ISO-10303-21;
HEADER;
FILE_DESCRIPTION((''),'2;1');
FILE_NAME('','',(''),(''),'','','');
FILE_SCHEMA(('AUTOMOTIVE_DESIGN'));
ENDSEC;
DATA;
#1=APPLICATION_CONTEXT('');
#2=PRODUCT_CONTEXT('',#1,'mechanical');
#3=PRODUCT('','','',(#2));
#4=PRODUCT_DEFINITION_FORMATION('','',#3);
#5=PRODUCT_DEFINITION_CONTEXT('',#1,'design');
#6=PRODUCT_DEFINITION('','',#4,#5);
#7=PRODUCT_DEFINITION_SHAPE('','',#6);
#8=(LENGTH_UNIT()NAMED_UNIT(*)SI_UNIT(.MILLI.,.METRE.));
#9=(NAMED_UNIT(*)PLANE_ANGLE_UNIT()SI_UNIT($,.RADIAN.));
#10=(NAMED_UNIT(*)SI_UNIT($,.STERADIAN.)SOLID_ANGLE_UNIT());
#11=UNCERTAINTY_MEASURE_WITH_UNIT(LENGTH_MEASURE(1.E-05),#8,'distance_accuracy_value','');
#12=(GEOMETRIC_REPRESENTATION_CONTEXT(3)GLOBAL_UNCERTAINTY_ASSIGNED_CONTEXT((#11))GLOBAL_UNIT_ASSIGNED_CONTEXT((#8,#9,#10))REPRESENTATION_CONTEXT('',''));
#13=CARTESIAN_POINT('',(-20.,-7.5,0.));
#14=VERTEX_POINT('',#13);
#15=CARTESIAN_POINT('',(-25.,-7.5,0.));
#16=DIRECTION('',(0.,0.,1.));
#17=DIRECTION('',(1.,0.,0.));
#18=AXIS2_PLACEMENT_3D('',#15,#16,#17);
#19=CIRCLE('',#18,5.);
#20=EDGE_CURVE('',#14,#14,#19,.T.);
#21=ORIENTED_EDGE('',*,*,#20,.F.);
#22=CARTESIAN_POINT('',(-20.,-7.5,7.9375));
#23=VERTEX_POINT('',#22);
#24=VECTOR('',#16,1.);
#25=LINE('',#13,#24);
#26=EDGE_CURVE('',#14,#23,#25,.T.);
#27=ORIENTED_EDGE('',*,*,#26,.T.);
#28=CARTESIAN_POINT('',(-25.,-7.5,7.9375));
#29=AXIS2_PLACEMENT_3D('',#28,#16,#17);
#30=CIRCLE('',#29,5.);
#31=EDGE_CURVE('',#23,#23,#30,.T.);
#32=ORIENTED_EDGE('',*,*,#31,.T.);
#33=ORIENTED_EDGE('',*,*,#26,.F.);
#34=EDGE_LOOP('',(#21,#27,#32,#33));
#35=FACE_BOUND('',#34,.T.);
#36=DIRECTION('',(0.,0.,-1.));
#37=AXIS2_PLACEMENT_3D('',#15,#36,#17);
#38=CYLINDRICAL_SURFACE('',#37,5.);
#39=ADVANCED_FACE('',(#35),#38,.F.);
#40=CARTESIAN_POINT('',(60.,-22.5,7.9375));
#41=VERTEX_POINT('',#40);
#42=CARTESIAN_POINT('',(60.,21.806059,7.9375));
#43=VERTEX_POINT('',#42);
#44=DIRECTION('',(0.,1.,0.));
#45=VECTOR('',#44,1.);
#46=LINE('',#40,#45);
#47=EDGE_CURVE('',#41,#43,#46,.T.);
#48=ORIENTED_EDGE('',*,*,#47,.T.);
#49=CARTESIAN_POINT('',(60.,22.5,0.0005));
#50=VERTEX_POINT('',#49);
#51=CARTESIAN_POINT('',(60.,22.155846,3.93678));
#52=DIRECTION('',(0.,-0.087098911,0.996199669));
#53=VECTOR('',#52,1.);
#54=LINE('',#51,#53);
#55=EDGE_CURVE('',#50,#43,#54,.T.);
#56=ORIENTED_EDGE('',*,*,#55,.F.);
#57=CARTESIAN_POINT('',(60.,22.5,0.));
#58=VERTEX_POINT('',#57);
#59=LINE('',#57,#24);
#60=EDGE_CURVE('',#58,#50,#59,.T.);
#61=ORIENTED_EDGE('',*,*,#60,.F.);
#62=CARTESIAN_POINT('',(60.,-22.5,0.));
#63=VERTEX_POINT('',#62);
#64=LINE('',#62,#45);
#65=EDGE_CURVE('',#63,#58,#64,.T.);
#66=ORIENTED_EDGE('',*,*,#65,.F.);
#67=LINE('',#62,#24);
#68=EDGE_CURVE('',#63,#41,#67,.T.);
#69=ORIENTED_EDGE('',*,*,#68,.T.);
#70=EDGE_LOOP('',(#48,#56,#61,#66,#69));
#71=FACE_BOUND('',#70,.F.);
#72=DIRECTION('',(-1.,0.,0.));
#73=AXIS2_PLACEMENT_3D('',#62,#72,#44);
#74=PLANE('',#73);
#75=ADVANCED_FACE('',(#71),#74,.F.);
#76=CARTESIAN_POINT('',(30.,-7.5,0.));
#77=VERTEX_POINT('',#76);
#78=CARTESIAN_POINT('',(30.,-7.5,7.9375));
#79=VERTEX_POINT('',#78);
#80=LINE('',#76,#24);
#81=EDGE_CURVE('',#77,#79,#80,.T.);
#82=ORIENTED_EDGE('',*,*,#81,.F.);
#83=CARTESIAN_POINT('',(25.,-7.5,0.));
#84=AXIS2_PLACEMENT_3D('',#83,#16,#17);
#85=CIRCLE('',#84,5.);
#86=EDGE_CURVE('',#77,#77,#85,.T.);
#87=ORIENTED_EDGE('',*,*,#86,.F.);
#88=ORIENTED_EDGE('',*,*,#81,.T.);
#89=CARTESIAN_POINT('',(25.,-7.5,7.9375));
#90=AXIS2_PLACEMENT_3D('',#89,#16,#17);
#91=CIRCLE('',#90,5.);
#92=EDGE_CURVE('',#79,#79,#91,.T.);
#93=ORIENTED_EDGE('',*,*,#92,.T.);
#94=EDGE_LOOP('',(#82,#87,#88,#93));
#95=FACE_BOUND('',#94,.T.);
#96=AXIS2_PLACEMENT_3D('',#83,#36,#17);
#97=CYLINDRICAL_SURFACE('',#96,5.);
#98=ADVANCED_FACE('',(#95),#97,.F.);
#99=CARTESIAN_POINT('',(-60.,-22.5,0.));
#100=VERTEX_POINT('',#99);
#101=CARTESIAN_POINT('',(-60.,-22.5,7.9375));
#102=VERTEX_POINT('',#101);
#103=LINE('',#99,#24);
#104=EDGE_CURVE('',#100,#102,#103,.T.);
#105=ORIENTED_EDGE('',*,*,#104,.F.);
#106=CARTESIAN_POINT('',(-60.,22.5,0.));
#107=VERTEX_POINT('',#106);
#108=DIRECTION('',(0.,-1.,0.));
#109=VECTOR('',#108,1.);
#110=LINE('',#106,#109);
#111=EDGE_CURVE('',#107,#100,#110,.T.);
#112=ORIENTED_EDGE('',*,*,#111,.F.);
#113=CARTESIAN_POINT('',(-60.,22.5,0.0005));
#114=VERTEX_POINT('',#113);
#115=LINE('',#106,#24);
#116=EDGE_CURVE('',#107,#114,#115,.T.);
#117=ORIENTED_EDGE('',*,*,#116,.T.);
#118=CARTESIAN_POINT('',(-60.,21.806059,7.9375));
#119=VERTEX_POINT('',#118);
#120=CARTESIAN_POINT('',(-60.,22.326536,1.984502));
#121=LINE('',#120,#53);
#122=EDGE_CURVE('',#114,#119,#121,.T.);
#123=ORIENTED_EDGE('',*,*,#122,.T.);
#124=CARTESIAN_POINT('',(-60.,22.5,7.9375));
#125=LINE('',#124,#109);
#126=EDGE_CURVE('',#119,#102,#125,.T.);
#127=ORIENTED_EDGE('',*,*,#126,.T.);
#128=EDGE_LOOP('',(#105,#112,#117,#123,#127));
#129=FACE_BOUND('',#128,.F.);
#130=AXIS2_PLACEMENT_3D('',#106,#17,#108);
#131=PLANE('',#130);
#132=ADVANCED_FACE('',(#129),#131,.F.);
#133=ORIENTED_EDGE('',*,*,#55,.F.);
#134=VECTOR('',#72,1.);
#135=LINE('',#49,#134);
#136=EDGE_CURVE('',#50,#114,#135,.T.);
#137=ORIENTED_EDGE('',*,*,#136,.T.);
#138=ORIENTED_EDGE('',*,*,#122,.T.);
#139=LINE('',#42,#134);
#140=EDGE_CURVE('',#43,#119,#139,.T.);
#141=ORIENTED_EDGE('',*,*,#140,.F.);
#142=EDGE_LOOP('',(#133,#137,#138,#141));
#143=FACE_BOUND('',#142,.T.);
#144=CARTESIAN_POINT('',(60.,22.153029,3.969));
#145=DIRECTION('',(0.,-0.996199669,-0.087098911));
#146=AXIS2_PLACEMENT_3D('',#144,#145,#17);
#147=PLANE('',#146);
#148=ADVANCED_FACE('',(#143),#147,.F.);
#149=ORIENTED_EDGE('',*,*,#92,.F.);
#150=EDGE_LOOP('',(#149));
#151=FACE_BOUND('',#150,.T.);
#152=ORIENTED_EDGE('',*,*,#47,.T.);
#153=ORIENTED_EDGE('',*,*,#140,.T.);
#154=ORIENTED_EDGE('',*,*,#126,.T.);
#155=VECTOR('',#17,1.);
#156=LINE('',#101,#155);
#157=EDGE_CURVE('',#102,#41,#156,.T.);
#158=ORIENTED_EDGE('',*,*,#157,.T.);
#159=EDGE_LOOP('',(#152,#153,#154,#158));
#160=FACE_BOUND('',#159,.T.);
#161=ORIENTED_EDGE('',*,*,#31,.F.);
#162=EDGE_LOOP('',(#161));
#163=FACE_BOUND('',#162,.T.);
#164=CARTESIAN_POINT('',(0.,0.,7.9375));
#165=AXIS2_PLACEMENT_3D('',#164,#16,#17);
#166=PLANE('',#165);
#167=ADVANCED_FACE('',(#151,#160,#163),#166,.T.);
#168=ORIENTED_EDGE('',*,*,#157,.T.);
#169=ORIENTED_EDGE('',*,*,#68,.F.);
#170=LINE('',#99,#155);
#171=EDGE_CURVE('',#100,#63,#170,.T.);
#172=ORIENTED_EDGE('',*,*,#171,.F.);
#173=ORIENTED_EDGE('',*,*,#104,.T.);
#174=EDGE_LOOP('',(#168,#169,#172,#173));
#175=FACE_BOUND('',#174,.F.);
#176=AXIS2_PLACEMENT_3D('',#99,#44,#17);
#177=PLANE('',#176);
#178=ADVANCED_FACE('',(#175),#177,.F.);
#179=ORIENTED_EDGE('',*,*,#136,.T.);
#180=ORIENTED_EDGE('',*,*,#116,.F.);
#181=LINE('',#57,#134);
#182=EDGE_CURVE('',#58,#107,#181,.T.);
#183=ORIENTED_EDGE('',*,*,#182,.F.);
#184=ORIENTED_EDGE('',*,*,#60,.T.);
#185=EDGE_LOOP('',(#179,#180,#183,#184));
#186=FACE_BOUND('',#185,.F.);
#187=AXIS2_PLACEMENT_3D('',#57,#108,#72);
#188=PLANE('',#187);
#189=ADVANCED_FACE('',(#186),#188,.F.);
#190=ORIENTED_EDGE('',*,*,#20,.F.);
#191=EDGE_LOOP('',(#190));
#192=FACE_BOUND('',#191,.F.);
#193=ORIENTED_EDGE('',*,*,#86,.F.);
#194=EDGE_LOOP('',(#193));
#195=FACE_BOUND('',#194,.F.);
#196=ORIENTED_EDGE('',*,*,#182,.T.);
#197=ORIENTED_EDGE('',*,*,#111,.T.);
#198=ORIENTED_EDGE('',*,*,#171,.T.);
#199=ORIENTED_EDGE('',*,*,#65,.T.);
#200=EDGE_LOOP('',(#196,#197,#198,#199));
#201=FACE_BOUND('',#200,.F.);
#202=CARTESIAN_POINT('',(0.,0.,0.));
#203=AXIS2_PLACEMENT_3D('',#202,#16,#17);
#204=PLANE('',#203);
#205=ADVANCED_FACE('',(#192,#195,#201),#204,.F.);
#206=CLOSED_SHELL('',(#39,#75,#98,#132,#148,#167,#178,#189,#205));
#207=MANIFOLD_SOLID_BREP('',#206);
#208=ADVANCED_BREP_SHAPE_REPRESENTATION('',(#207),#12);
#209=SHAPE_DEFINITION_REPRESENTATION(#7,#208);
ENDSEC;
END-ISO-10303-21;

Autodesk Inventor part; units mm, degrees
ref_plane "YZ Plane" through (0, 0, 0) normal (1, 0, 0) x (0, 1, 0)
ref_plane "XZ Plane" through (0, 0, 0) normal (0, 1, 0) x (-1, 0, 0)
ref_plane "XY Plane" through (0, 0, 0) normal (0, 0, 1) x (1, 0, 0)
sketch "Sketch1" plane through (0, 0, 0) normal (0, 0, 1) x (1, 0, 0)
  line L0 (-60, -22.5) -> (60, -22.5)
  line L1 (60, -22.5) -> (60, 22.5)
  line L2 (60, 22.5) -> (-60, 22.5)
  line L3 (-60, 22.5) -> (-60, -22.5)
  line L4 (-60, -22.5) -> (60, 22.5) construction
  line L5 (60, -22.5) -> (-60, 22.5) construction
  circle A0 centre (-25, -7.5) radius 5
  circle A1 centre (25, -7.5) radius 5
  point P0 (0, 0)
  dimension "d0" = 120
  dimension "d1" = 45
  dimension "d2" = 10
  dimension "d3" = 10
  dimension "d4" = 35
  dimension "d5" = 35
  dimension "d6" = 15
  dimension "d7" = 15
extrude "Extrusion1" add sketch "Sketch1" along normal blind 7.9375
chamfer "Chamfer1" distance 7.9375 angle 5 1 edges at (0, 22.5, 7.9375) measured on face at (20, 22.5, 2.6458)
properties part number "Lower blade" material "Steel, Mild"
